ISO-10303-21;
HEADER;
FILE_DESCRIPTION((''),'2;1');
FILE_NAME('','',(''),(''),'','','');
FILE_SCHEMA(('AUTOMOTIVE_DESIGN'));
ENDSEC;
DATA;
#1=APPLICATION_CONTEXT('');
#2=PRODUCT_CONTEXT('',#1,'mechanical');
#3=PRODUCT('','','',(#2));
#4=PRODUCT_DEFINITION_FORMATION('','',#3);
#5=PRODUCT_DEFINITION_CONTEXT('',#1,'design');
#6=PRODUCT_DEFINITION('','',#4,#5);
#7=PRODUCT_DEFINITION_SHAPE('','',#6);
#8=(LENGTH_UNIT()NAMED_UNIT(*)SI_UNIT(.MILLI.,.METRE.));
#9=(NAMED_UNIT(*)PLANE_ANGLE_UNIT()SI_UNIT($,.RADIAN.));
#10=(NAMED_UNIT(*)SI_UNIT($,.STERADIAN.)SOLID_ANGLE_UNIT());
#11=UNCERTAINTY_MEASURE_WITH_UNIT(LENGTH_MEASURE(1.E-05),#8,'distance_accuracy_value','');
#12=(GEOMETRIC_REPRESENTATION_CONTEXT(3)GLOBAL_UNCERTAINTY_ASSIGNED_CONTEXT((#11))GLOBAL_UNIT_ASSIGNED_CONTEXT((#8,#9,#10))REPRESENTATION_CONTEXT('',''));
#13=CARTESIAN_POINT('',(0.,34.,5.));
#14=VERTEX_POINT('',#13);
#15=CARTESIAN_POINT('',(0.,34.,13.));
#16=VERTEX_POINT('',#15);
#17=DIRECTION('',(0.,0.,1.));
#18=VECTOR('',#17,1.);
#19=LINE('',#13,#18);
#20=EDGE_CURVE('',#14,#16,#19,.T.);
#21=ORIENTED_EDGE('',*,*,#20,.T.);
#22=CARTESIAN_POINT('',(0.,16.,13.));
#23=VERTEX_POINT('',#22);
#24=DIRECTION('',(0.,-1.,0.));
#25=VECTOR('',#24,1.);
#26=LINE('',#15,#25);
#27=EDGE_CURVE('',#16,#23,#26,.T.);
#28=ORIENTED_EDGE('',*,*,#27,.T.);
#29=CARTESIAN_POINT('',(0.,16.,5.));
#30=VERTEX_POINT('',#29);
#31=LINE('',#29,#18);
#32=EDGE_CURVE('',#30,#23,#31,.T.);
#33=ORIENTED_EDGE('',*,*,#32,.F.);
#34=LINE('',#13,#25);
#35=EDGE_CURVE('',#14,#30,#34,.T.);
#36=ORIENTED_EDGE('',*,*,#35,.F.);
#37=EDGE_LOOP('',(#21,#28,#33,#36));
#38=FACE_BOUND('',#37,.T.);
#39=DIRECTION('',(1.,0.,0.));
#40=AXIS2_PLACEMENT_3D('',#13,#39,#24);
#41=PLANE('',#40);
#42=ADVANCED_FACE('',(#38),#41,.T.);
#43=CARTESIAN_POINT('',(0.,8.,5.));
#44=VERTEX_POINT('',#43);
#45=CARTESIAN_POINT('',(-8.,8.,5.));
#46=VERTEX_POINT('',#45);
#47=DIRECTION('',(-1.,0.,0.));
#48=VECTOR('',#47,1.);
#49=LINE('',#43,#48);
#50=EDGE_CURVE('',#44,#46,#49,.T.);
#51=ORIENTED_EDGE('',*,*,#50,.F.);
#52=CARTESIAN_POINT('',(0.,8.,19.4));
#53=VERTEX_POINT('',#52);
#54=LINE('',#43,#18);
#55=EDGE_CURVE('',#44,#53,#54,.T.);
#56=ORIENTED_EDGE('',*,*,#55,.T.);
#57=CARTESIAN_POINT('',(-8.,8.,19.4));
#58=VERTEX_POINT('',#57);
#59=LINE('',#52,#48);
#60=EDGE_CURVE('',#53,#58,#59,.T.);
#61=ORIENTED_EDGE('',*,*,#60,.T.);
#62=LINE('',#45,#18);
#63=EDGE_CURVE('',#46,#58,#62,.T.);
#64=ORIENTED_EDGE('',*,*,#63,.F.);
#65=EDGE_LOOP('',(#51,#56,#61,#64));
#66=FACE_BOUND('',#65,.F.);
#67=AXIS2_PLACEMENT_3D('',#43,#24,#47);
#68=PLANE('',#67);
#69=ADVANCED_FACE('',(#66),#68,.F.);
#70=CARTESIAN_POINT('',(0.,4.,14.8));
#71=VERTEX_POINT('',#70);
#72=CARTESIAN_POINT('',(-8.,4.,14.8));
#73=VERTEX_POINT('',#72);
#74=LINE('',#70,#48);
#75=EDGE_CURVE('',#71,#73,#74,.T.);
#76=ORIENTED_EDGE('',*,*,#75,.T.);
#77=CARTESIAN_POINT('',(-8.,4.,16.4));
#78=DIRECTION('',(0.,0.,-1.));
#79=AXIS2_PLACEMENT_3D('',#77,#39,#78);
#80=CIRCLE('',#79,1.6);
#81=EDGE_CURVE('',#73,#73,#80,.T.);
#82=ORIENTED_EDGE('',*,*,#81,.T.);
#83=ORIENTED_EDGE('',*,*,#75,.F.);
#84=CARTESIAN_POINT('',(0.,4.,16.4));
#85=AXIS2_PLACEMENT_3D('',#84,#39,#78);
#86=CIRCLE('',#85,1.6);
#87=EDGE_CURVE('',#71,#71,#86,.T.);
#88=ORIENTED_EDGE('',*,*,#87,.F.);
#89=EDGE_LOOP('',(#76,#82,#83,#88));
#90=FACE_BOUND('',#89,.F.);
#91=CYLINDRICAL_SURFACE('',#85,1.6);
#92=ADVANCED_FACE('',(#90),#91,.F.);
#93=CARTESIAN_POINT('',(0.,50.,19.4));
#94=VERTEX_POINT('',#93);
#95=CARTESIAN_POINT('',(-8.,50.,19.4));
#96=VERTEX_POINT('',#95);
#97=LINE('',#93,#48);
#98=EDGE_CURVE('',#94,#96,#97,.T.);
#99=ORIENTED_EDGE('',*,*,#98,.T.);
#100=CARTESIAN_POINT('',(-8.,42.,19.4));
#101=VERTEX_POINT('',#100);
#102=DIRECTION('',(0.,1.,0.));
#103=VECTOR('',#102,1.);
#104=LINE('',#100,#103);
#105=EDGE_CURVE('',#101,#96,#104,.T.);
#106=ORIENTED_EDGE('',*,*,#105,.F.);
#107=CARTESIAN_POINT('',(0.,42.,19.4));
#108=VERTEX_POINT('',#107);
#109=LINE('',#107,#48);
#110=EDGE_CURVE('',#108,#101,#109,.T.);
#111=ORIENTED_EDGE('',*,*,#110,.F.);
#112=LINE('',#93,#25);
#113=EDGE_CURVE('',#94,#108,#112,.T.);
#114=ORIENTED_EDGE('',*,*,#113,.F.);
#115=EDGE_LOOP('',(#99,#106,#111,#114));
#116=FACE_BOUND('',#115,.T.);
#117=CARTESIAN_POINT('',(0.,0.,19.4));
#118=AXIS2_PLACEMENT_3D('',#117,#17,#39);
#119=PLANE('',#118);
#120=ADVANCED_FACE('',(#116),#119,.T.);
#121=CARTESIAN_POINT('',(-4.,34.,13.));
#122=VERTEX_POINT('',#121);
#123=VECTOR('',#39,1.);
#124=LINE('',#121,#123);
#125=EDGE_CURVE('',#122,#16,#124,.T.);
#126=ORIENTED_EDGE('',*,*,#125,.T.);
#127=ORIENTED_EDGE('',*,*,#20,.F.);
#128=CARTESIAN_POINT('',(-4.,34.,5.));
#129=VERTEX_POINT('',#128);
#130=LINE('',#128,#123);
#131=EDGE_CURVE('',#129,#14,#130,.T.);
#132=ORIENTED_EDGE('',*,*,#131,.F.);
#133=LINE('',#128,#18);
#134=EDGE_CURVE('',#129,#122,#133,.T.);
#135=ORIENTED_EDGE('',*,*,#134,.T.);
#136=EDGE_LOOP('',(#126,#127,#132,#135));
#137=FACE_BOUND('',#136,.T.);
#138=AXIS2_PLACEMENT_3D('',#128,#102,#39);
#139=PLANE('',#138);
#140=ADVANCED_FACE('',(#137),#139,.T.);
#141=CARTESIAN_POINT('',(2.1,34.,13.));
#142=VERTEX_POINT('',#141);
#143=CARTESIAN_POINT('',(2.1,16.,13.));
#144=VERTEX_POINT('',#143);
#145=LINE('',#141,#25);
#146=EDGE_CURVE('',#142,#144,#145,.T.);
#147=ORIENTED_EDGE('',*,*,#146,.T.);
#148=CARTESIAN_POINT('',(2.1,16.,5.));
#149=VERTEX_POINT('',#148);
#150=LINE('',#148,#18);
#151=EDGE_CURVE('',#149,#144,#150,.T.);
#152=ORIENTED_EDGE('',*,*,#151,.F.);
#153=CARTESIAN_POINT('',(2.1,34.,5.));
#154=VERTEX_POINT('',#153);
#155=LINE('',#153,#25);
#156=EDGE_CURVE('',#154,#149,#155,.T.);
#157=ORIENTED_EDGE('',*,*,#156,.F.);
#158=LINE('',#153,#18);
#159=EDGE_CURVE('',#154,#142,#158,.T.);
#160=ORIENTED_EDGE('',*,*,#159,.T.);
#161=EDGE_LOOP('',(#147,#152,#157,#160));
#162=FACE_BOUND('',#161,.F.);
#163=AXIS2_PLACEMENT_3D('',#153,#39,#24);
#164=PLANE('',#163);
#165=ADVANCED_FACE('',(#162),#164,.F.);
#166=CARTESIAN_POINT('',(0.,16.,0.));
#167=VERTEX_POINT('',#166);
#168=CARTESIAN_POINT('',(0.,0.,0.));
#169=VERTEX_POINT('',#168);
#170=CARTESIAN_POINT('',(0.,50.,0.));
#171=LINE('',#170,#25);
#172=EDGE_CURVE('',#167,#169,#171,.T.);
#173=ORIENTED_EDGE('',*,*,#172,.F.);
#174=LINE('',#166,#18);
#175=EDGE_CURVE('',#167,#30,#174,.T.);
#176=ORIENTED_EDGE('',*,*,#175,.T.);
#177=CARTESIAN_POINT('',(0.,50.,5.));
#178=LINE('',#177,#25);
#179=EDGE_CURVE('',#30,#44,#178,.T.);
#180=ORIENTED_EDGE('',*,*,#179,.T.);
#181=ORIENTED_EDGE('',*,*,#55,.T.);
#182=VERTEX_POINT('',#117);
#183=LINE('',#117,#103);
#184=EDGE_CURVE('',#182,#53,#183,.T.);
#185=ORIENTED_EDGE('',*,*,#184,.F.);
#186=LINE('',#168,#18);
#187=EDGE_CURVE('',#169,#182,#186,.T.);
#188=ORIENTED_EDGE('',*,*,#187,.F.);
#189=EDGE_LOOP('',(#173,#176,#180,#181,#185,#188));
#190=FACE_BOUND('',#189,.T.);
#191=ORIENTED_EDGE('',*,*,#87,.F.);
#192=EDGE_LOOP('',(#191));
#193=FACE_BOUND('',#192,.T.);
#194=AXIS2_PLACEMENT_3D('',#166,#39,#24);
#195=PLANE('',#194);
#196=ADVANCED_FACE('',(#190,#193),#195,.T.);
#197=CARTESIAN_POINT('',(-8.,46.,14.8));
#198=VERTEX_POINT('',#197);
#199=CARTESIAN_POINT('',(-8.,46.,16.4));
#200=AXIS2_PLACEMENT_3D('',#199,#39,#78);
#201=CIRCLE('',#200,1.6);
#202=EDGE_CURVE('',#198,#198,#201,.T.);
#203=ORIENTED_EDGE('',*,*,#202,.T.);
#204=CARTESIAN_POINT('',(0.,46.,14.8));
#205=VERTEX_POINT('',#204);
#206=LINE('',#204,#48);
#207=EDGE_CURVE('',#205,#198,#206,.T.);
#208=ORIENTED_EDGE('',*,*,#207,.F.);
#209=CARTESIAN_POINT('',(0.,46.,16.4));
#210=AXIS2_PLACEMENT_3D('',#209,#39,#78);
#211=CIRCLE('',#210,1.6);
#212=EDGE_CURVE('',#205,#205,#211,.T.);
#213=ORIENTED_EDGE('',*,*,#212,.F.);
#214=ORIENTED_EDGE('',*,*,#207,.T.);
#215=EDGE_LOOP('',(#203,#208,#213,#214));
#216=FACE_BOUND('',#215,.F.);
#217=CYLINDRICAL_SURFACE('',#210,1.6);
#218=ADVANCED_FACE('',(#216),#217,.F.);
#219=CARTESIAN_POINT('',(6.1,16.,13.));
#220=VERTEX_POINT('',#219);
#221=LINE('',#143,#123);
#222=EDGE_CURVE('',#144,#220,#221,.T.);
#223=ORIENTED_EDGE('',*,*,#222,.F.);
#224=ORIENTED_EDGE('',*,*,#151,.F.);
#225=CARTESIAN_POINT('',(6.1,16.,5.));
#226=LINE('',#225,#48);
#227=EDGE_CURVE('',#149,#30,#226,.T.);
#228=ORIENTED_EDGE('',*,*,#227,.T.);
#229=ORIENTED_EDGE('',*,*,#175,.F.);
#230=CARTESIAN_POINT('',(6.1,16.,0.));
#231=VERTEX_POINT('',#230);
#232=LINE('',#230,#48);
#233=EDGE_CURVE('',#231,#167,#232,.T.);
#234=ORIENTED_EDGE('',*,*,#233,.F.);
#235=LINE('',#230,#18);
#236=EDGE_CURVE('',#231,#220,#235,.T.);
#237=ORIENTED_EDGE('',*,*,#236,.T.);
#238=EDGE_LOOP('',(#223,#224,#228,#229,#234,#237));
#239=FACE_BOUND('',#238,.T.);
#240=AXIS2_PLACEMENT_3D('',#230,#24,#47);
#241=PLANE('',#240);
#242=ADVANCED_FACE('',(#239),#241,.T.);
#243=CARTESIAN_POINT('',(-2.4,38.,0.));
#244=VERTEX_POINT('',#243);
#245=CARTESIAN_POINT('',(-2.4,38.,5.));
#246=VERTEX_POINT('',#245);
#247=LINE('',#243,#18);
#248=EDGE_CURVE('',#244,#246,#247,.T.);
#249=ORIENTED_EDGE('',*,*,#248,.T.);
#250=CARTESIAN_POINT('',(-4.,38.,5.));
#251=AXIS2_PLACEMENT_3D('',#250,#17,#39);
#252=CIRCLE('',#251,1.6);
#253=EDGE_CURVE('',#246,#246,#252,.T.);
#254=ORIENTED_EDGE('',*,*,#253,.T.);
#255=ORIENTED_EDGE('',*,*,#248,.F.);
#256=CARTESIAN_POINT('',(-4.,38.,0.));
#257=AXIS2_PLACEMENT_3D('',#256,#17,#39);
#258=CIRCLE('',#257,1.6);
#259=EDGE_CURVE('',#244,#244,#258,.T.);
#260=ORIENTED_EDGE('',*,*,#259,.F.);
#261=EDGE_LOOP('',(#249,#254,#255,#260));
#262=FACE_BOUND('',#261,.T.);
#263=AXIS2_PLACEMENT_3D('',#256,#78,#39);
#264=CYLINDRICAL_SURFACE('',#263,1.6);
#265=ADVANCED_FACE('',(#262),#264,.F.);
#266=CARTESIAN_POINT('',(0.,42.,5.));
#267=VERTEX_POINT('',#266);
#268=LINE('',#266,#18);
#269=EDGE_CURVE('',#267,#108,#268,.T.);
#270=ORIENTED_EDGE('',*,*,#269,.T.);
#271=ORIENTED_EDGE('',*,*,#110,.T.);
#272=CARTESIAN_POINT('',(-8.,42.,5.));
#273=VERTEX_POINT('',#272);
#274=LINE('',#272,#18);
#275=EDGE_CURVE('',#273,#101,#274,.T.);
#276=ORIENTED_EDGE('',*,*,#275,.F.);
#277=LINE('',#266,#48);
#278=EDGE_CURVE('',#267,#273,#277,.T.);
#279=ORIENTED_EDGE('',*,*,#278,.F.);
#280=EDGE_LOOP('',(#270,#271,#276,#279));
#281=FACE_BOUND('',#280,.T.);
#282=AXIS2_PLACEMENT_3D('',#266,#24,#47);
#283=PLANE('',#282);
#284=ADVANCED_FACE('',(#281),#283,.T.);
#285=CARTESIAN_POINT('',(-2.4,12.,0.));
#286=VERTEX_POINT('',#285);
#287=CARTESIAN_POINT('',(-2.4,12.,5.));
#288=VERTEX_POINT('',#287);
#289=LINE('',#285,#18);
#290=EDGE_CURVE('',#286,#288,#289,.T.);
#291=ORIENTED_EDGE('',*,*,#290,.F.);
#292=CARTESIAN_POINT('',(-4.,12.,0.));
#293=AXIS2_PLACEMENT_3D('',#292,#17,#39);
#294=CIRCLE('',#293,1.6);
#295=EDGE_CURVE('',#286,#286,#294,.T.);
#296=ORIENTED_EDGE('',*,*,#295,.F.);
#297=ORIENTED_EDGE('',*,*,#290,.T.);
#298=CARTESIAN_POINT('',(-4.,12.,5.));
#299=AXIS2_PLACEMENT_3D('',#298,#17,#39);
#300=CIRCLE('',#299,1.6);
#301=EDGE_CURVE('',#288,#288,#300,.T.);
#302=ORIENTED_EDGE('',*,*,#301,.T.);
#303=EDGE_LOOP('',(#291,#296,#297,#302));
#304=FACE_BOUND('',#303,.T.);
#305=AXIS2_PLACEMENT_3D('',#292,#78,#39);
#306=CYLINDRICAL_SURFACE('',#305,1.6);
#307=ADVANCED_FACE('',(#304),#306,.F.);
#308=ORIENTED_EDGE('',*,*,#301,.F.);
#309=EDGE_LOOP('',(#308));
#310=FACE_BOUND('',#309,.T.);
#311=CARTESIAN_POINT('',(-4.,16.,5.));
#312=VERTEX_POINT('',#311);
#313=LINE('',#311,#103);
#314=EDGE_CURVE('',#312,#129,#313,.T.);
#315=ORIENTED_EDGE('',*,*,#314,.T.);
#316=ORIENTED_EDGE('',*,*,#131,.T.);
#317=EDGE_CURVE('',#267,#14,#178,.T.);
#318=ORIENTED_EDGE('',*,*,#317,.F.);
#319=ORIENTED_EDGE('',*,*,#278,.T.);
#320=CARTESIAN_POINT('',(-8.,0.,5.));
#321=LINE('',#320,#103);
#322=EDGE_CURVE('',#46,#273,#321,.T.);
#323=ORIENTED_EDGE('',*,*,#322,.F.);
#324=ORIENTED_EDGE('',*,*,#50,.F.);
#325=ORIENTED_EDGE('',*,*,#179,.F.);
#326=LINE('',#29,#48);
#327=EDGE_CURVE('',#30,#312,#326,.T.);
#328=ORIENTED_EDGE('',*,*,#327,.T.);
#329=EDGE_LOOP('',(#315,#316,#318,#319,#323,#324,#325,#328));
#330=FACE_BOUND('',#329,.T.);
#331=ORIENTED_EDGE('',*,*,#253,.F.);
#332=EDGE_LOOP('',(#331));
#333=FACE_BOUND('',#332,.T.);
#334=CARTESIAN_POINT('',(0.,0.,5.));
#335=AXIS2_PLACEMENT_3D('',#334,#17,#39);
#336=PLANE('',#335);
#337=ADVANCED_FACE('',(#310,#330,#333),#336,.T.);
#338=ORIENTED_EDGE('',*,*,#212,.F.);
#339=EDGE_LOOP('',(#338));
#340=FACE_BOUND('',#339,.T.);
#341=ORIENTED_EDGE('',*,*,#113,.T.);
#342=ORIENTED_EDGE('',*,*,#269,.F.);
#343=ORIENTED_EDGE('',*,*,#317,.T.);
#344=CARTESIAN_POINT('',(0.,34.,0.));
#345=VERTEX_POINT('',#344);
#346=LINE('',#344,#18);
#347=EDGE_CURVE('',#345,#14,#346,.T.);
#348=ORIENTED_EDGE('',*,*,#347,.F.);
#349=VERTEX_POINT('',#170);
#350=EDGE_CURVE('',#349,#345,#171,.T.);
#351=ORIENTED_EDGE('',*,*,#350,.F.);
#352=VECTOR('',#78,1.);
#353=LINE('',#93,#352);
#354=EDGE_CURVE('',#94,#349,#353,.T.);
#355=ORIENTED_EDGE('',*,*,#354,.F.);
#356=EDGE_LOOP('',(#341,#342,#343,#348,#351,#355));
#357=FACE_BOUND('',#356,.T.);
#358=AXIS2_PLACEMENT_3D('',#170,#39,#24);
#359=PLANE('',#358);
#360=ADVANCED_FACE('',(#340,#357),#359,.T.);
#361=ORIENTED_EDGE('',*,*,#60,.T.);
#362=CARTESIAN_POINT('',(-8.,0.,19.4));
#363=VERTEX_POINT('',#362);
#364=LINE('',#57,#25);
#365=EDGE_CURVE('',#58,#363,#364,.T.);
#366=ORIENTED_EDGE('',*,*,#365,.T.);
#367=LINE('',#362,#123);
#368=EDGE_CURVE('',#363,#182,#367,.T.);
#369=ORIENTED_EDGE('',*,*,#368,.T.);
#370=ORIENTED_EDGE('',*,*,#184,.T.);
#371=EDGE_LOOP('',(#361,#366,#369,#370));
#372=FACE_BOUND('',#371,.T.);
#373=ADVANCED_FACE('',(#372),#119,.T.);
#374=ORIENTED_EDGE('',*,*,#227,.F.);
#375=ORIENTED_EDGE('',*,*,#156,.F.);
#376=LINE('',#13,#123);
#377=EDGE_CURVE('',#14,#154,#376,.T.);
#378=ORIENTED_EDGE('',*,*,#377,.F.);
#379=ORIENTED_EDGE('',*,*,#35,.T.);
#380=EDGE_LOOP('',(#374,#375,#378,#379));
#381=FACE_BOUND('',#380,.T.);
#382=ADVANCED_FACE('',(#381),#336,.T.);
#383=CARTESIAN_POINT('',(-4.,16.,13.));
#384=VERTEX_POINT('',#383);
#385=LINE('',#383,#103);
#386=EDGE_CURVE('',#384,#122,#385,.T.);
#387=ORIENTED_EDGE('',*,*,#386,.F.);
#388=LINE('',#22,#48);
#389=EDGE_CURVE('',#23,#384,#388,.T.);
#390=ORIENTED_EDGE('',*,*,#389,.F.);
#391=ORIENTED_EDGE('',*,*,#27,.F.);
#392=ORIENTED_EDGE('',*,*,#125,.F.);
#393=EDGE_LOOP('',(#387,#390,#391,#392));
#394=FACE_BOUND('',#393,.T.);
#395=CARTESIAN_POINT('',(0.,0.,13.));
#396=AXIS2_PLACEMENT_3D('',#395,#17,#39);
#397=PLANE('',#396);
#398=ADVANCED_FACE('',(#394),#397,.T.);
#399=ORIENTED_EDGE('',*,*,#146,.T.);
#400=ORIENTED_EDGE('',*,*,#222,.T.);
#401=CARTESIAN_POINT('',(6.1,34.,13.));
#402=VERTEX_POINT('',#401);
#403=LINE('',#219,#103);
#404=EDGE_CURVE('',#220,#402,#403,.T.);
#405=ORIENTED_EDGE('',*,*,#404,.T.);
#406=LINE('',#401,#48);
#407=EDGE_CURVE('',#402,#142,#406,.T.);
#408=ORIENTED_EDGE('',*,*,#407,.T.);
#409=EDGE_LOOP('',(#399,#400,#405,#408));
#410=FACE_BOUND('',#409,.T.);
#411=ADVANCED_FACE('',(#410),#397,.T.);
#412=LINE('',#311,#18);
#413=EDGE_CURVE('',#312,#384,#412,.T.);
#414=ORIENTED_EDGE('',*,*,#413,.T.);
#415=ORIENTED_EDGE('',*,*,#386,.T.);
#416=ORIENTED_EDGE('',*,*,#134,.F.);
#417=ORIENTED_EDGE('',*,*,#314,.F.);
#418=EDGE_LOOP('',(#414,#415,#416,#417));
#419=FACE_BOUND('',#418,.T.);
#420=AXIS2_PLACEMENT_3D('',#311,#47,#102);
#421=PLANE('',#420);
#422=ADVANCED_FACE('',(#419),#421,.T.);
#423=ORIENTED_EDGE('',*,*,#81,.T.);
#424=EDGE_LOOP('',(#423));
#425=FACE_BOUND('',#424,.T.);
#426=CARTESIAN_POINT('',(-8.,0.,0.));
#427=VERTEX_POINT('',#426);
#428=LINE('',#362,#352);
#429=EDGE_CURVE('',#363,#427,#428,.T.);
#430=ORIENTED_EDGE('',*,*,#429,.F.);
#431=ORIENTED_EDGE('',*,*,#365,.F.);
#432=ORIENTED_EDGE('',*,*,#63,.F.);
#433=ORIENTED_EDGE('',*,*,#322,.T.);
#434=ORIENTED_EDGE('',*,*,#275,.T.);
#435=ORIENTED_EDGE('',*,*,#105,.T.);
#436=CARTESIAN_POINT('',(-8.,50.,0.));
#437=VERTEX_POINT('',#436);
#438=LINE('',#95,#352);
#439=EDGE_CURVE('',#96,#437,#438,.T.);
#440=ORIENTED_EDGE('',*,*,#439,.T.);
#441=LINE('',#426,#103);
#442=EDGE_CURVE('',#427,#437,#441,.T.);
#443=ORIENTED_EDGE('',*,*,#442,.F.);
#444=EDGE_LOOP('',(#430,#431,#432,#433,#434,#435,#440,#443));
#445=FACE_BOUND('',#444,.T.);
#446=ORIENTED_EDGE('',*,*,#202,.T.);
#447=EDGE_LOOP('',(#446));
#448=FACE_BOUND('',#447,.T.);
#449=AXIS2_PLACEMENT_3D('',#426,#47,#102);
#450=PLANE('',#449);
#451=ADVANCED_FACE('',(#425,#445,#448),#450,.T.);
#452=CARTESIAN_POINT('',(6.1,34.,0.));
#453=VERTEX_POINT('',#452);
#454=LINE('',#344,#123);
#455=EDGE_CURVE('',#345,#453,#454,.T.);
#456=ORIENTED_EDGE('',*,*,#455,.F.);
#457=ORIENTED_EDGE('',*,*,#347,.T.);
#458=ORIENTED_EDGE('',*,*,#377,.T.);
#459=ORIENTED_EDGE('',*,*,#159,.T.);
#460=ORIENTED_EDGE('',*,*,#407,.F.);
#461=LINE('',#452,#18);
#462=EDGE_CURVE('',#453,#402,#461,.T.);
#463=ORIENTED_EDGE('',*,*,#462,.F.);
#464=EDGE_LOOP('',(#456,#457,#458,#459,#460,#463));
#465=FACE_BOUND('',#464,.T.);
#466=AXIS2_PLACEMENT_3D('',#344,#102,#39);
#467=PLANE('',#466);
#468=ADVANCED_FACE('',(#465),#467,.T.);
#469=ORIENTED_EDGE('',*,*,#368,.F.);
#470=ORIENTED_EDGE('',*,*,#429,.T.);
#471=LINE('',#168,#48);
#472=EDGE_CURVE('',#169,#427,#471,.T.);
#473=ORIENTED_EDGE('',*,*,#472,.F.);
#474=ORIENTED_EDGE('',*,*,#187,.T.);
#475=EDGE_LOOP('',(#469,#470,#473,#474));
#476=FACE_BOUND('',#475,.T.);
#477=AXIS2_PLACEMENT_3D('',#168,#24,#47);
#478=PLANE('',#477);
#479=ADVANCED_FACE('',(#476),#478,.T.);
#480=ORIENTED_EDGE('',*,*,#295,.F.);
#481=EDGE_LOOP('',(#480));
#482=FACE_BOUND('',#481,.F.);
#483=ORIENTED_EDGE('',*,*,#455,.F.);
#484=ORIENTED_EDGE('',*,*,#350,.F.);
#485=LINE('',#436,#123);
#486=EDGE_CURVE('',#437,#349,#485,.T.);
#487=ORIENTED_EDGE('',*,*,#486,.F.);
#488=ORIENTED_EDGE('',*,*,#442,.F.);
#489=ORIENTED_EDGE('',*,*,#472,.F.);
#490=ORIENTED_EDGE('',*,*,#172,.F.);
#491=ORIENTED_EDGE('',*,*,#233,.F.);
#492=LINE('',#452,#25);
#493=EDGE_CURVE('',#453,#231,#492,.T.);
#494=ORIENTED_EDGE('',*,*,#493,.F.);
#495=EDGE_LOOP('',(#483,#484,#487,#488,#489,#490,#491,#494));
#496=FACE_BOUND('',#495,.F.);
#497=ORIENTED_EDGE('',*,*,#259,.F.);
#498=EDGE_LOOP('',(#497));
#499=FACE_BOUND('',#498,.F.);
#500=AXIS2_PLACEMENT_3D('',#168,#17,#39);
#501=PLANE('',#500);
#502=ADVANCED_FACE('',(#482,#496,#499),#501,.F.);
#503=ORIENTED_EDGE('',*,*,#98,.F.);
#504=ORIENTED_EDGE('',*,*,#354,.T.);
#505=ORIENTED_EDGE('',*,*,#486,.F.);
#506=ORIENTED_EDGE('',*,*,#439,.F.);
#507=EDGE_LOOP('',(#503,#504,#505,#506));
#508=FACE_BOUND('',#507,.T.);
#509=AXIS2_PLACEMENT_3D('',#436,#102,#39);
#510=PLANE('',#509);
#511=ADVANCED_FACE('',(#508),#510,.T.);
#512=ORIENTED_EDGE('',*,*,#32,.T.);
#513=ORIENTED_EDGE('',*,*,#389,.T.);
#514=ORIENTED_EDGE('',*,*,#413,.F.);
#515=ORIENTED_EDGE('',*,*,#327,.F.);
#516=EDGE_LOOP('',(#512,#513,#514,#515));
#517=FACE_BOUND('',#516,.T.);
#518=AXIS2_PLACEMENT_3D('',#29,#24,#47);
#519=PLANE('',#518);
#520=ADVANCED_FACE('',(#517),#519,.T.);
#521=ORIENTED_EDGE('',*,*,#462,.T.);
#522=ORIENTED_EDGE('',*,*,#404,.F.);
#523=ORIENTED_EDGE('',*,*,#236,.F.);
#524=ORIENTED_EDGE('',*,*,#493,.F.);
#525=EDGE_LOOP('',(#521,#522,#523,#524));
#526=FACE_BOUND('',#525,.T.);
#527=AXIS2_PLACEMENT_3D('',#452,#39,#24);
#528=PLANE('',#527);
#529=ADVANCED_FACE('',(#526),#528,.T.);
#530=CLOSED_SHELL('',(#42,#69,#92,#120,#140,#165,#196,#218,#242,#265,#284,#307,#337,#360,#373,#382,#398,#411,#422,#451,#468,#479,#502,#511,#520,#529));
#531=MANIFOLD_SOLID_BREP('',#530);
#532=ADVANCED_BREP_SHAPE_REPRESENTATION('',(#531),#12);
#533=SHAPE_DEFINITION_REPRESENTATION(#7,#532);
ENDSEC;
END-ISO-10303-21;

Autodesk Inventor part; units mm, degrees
ref_plane "YZ Plane" through (0, 0, 0) normal (1, 0, 0) x (0, 1, 0)
ref_plane "XZ Plane" through (0, 0, 0) normal (0, 1, 0) x (-1, 0, 0)
ref_plane "XY Plane" through (0, 0, 0) normal (0, 0, 1) x (1, 0, 0)
sketch "Sketch1" plane through (0, 0, 0) normal (0, 0, 1) x (1, 0, 0)
  line L0 (0, 0) -> (-8, 0)
  line L1 (-8, 0) -> (-8, 50)
  line L2 (-8, 50) -> (0, 50)
  line L3 (0, 50) -> (0, 0)
  circle A0 centre (-4, 38) radius 1.6
  circle A1 centre (-4, 12) radius 1.6
  line L4 (0, 34) -> (6.1, 34)
  line L5 (6.1, 34) -> (6.1, 16)
  line L6 (6.1, 16) -> (0, 16)
  line L7 (0, 16) -> (0, 34)
  point P0 (-4, 50)
  point P1 (-4, 0)
  point P2 (0, 25)
  dimension "d0" = 8
  dimension "d1" = 50
  dimension "d2" = 3.2
  dimension "d3" = 3.2
  dimension "d18" = 6.1
  dimension "d19" = 18
  dimension "d28" = 4
  dimension "d29" = 4
extrude "Extrusion1" add sketch "Sketch1" along normal blind 5
sketch "Sketch2" plane through (0, 0, 5) normal (0, 0, 1) x (1, 0, 0)
  line L0 (-8, 0) -> (0, 0) projected
  line L1 (0, 50) -> (-8, 50) projected
  line L2 (-8, 50) -> (0, 50)
  line L3 (0, 50) -> (0, 42)
  line L4 (0, 42) -> (-8, 42)
  line L5 (-8, 42) -> (-8, 50)
  line L6 (-8, 0) -> (0, 0)
  line L7 (0, 0) -> (0, 8)
  line L8 (0, 8) -> (-8, 8)
  line L9 (-8, 8) -> (-8, 0)
  dimension "d8" = 8
  dimension "d10" = 8
extrude "Extrusion2" add sketch "Sketch2" along normal blind 14.4
sketch "Sketch3" plane through (0, 0, 0) normal (1, 0, 0) x (0, 0, -1)
  circle A0 centre (-16.4, 46) radius 1.6
  circle A1 centre (-16.4, 4) radius 1.6
  line L0 (-19.4, 42) -> (-19.4, 50) projected
  line L1 (-19.4, 0) -> (-19.4, 8) projected
  point P0 (0, 0)
  point P1 (-19.4, 46)
  point P2 (-19.4, 4)
  dimension "d13" = 3.2
  dimension "d14" = 3.2
  dimension "d15" = 3
extrude "Extrusion3" cut sketch "Sketch3" against normal blind 15
sketch "Sketch4" plane through (0, 0, 5) normal (0, 0, 1) x (1, 0, 0)
  line L0 (6.1, 16) -> (6.1, 34) projected
  line L1 (6.1, 34) -> (2.1, 34)
  line L2 (2.1, 34) -> (2.1, 16)
  line L3 (2.1, 16) -> (6.1, 16)
  line L4 (6.1, 16) -> (6.1, 34)
  line L5 (0, 16) -> (6.1, 16) projected
  line L6 (6.1, 34) -> (0, 34) construction
  line L7 (-4, 34) -> (0, 34)
  line L8 (0, 34) -> (0, 16)
  line L9 (0, 16) -> (-4, 16)
  line L10 (-4, 16) -> (-4, 34)
  point P0 (0, 0)
  dimension "d21" = 4
  dimension "d26" = 4
  dimension "d27" = 2.1
extrude "Extrusion4" add sketch "Sketch4" along normal blind 8
equation "\"d29\" = d28"
equation "\"d8\" = d10"
properties part number "X rollers"
